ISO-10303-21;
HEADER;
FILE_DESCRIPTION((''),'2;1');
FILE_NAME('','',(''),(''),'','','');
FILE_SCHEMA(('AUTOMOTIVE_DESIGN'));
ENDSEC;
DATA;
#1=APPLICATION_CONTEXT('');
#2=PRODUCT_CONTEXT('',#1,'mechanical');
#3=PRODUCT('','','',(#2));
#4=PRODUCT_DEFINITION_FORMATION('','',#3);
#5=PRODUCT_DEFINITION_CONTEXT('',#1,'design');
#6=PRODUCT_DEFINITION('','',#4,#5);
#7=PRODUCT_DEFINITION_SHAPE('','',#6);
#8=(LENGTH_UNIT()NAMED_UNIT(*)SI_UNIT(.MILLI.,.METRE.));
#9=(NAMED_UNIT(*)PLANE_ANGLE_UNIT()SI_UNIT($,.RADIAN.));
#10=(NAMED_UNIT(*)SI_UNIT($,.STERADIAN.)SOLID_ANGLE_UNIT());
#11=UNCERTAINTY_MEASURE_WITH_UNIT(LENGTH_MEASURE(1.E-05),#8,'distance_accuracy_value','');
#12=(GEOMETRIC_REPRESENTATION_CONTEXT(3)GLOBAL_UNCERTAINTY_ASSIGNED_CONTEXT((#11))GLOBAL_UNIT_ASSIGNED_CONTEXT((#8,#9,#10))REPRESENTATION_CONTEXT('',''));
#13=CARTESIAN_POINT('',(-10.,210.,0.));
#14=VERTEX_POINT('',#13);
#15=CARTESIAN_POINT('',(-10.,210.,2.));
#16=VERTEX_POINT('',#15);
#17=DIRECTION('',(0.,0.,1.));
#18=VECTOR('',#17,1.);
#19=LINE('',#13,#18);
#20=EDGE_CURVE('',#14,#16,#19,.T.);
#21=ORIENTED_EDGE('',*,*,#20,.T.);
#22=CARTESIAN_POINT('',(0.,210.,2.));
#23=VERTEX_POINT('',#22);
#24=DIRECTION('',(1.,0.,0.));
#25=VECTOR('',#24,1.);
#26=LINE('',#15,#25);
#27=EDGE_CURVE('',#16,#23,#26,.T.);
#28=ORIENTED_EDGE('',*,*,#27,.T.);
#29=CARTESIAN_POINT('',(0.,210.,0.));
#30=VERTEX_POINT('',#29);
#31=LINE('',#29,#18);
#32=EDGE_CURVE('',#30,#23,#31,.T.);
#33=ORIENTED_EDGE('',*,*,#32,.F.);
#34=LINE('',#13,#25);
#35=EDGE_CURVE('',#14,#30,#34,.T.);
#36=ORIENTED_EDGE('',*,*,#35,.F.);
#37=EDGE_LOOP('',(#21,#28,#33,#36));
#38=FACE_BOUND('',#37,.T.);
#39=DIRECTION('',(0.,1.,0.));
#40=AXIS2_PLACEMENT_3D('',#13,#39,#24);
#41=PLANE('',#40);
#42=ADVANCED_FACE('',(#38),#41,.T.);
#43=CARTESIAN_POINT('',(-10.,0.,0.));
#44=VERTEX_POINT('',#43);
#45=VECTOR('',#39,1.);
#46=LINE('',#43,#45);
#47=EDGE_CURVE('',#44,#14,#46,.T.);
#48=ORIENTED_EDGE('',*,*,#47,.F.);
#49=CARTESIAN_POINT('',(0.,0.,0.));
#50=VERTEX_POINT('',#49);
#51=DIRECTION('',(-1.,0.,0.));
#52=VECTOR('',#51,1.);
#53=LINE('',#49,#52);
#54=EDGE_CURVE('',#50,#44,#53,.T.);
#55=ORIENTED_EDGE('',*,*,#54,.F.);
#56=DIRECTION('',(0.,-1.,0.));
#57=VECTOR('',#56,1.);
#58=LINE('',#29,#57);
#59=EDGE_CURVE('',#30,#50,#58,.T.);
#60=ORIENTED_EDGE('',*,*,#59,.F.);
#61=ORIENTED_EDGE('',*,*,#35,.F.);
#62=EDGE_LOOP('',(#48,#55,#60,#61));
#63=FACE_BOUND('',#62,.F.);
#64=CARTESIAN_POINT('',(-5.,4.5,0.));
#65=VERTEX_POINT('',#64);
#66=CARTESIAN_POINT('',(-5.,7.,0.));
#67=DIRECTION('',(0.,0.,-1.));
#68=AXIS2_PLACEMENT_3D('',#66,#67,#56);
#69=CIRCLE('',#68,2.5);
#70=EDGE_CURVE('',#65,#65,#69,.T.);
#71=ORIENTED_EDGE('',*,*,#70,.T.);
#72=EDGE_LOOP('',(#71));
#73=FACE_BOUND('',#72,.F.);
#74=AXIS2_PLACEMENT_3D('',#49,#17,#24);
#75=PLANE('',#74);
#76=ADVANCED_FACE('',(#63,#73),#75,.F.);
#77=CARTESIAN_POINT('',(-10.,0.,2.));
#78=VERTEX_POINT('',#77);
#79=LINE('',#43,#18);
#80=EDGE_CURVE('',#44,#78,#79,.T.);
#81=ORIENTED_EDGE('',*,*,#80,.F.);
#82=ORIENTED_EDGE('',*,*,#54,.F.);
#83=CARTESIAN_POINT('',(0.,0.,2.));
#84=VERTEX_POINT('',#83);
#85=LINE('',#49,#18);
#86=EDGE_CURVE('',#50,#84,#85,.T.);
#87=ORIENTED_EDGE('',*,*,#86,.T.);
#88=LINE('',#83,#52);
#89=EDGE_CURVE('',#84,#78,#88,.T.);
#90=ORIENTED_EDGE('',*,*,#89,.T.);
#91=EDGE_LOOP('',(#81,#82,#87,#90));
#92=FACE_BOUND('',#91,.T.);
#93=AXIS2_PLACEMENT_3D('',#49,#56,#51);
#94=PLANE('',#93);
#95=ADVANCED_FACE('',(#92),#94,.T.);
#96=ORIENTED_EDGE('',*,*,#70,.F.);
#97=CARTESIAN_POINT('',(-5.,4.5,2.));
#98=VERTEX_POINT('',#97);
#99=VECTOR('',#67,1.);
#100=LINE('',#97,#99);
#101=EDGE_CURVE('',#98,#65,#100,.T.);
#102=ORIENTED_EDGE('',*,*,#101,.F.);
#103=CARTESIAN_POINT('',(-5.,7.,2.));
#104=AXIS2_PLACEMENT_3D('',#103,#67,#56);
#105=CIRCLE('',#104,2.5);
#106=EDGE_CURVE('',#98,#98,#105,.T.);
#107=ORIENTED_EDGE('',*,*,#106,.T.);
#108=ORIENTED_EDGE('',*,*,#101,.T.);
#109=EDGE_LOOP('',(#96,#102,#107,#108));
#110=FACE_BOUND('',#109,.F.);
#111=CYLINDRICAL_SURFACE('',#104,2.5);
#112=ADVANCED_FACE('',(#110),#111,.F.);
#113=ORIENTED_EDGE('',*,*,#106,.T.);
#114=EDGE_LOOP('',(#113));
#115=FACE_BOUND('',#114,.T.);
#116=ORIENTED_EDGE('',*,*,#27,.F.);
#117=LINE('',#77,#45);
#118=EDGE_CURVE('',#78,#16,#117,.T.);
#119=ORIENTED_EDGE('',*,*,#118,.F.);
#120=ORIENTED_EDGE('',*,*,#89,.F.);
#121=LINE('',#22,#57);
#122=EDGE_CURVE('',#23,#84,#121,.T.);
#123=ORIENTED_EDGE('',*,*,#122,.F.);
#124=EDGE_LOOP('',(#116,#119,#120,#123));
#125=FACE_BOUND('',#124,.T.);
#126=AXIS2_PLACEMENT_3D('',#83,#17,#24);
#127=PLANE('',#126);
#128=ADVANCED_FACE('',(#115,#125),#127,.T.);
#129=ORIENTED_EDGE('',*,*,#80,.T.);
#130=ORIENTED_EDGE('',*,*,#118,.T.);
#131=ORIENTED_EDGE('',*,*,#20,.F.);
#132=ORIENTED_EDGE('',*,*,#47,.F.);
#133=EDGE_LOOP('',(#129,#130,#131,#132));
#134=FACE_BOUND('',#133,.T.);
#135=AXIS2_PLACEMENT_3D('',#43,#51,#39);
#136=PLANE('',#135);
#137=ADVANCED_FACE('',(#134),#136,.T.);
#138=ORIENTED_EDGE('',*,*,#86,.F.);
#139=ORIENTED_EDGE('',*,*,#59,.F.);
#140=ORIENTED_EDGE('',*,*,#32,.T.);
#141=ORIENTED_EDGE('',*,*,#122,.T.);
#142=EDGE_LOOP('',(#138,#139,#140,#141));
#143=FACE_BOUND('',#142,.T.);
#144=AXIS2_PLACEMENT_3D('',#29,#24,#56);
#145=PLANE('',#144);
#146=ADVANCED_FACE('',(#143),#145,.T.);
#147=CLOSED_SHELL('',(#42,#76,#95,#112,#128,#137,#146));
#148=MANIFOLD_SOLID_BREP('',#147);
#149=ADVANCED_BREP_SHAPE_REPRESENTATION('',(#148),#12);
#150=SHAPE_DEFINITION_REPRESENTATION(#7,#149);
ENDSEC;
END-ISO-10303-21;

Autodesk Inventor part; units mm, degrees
ref_plane "YZ Plane" through (0, 0, 0) normal (1, 0, 0) x (0, 1, 0)
ref_plane "XZ Plane" through (0, 0, 0) normal (0, 1, 0) x (-1, 0, 0)
ref_plane "XY Plane" through (0, 0, 0) normal (0, 0, 1) x (1, 0, 0)
sketch "Sketch2" plane through (0, 0, 0) normal (0, 0, 1) x (1, 0, 0)
  line L0 (0, 0) -> (-10, 0)
  line L1 (-10, 0) -> (-10, 210)
  line L2 (-10, 210) -> (0, 210)
  line L3 (0, 210) -> (0, 0)
  point P0 (-5, 18)
  dimension "d4" = 10
  dimension "d5" = 210
extrude "Extrusion2" add sketch "Sketch2" along normal blind 2
sketch "Sketch3" plane through (0, 0, 2) normal (0, 0, 1) x (1, 0, 0)
  point P0 (0, 0)
  point P1 (-5, 7)
hole "Hole2" at (-5, 7, 2) direction (0, 0, -1) diameter 5 depth 5
properties part number "Circle_TestFit_V1"
